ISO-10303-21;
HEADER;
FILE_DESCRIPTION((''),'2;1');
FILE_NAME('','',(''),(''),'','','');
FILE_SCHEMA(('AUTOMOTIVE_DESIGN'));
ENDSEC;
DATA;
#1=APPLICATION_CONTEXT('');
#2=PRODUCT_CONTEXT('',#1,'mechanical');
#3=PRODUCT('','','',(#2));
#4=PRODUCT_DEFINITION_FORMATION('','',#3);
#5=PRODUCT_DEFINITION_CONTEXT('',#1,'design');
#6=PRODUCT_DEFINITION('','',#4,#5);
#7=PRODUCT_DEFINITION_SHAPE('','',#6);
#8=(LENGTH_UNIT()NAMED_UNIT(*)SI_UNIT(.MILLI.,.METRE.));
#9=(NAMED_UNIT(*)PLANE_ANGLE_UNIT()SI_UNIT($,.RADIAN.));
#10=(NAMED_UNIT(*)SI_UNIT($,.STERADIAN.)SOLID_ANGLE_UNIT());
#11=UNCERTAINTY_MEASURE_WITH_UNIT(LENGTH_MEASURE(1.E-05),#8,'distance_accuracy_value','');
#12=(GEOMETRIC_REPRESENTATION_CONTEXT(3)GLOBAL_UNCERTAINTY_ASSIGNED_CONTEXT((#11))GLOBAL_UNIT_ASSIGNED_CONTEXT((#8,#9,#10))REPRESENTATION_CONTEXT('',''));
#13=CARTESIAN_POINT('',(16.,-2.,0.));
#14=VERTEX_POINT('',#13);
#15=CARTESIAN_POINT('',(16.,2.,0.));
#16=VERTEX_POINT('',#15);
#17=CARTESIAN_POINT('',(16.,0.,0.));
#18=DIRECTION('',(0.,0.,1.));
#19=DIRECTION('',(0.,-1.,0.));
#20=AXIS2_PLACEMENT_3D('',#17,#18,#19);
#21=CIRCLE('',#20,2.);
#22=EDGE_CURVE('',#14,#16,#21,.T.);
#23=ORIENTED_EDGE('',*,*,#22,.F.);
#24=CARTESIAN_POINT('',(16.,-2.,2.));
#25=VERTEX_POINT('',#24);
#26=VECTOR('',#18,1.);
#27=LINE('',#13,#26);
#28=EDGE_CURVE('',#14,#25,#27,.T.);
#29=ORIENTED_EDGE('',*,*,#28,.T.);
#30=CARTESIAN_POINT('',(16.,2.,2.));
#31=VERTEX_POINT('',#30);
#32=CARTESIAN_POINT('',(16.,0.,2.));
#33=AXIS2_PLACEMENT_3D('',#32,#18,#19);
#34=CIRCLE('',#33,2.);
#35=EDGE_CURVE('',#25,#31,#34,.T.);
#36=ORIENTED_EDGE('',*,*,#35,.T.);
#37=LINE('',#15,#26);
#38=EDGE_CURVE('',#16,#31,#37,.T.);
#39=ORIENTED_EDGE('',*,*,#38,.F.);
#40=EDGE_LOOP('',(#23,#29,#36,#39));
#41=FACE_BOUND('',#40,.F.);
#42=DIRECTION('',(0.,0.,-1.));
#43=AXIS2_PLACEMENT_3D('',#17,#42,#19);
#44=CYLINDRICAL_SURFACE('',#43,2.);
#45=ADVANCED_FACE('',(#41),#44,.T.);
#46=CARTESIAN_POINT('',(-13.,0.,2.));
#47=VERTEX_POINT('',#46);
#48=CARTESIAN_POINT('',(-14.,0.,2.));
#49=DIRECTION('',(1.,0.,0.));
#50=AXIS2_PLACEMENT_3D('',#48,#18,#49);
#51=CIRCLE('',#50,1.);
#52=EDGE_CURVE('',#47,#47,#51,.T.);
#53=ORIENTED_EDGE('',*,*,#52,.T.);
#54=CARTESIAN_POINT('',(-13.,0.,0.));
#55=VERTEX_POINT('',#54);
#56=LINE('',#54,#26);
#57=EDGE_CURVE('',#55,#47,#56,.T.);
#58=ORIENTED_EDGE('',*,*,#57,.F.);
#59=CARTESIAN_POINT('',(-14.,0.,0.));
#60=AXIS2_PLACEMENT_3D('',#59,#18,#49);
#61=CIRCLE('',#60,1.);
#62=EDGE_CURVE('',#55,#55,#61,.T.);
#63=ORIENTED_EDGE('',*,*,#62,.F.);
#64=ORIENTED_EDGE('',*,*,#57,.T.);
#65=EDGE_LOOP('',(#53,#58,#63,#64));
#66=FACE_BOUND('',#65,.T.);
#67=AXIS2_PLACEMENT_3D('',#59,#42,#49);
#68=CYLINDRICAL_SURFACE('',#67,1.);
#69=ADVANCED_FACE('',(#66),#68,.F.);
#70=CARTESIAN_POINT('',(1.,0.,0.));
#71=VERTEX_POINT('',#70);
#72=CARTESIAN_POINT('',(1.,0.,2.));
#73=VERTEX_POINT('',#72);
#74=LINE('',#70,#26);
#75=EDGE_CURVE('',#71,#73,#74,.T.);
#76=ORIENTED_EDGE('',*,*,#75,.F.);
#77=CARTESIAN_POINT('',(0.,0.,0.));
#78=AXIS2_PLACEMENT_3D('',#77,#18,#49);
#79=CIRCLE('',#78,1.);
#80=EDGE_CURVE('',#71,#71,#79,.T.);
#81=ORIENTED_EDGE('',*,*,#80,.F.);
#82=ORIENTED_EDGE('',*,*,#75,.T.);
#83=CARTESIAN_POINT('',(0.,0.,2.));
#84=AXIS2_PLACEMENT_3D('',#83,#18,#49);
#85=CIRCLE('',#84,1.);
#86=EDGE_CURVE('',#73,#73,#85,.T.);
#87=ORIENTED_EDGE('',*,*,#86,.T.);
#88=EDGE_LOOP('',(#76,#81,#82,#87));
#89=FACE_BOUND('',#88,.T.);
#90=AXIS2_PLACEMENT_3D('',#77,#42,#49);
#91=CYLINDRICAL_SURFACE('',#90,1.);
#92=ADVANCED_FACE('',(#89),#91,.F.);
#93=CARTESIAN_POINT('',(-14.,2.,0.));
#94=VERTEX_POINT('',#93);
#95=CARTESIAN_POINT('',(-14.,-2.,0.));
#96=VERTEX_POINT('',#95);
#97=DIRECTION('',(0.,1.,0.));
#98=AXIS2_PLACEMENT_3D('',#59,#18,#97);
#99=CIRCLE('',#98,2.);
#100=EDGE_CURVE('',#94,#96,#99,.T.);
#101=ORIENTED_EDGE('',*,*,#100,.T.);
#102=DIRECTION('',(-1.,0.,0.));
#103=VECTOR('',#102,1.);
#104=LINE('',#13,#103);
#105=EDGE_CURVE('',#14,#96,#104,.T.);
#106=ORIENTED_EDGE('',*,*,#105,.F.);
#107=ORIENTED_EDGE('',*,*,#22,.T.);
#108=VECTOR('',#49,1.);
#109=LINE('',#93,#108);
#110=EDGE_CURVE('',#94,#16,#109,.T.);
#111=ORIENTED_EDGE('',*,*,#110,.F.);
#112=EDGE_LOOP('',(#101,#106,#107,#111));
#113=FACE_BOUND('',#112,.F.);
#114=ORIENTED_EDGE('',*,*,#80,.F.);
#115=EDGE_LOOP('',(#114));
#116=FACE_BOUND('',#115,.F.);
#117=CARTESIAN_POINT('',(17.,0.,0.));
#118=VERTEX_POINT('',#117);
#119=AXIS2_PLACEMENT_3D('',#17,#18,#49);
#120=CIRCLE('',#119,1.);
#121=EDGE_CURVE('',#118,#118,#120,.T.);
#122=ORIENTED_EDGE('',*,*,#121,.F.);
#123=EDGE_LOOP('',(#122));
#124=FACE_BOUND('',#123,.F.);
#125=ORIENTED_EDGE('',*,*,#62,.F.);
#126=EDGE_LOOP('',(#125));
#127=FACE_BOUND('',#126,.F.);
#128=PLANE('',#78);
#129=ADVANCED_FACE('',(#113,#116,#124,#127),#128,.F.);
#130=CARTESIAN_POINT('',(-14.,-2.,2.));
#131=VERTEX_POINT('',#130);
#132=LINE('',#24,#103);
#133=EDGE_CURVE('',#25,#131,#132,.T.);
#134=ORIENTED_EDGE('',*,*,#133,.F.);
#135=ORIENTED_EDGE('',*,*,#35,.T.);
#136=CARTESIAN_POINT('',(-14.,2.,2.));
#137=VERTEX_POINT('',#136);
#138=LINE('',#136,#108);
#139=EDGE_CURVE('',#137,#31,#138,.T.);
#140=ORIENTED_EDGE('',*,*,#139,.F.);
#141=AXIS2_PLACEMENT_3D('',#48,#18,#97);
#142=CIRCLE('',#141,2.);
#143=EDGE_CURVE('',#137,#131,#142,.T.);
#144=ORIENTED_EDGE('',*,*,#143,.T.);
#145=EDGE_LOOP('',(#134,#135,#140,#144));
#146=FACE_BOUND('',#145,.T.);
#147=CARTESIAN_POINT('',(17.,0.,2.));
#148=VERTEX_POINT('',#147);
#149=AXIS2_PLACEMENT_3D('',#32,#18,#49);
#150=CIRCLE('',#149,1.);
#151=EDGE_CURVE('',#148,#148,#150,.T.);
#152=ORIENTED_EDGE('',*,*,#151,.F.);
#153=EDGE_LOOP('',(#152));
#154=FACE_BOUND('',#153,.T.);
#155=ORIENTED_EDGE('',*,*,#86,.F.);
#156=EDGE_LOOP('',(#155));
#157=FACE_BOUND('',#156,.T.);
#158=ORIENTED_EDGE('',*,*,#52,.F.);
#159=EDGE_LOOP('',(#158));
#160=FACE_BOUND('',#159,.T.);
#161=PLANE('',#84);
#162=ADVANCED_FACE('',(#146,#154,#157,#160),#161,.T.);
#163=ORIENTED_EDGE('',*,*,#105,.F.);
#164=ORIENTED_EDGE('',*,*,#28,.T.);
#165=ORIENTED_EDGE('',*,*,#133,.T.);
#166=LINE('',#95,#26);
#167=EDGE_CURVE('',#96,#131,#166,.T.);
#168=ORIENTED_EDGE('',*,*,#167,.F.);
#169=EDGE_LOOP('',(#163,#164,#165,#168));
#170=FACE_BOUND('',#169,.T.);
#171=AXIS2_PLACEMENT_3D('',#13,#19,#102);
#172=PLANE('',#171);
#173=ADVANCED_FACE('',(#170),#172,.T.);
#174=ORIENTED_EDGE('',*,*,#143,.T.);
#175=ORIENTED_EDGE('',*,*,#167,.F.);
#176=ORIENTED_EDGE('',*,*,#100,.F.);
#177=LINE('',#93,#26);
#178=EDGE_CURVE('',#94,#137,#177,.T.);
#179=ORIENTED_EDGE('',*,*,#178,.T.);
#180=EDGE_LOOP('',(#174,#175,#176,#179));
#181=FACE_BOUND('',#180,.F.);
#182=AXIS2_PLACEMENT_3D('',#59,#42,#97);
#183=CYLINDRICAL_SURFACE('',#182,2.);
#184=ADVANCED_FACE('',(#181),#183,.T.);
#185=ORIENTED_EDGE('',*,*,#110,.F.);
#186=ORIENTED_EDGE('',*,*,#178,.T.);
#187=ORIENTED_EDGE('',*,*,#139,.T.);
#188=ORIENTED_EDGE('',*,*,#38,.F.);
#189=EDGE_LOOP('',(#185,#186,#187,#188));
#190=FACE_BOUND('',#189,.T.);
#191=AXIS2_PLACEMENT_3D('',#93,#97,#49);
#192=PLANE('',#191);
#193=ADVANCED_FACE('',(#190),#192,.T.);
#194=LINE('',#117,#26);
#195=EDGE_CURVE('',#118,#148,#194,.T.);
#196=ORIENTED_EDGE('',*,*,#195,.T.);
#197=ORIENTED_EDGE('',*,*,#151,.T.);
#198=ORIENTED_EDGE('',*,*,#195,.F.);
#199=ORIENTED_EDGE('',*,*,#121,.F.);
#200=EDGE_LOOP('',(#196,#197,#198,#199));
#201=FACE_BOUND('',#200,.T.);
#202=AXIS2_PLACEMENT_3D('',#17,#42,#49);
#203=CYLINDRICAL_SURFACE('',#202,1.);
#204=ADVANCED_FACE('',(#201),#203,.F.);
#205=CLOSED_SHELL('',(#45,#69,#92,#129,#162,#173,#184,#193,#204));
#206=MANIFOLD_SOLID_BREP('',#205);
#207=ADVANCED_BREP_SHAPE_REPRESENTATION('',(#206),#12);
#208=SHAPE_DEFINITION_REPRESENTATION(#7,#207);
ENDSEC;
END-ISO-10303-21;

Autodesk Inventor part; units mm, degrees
ref_plane "YZ Plane" through (0, 0, 0) normal (1, 0, 0) x (0, 1, 0)
ref_plane "XZ Plane" through (0, 0, 0) normal (0, 1, 0) x (-1, 0, 0)
ref_plane "XY Plane" through (0, 0, 0) normal (0, 0, 1) x (1, 0, 0)
sketch "Sketch1" plane through (0, 0, 0) normal (0, 0, 1) x (1, 0, 0)
  circle A0 centre (0, 0) radius 1
  circle A1 centre (-14, 0) radius 1
  line L0 (-14, 2) -> (16, 2)
  line L1 (16, -2) -> (-14, -2)
  arc A2 (-14, 2) -> (-14, -2) centre (-14, 0) ccw
  circle A3 centre (16, 0) radius 1
  arc A4 (16, -2) -> (16, 2) centre (16, 0) ccw
  dimension "d0" = 2
  dimension "d1" = 14
  dimension "d5" = 16
  dimension "d6" = 2
extrude "Extrusion1" add sketch "Sketch1" along normal blind 2
properties part number "panto_linkageC"
